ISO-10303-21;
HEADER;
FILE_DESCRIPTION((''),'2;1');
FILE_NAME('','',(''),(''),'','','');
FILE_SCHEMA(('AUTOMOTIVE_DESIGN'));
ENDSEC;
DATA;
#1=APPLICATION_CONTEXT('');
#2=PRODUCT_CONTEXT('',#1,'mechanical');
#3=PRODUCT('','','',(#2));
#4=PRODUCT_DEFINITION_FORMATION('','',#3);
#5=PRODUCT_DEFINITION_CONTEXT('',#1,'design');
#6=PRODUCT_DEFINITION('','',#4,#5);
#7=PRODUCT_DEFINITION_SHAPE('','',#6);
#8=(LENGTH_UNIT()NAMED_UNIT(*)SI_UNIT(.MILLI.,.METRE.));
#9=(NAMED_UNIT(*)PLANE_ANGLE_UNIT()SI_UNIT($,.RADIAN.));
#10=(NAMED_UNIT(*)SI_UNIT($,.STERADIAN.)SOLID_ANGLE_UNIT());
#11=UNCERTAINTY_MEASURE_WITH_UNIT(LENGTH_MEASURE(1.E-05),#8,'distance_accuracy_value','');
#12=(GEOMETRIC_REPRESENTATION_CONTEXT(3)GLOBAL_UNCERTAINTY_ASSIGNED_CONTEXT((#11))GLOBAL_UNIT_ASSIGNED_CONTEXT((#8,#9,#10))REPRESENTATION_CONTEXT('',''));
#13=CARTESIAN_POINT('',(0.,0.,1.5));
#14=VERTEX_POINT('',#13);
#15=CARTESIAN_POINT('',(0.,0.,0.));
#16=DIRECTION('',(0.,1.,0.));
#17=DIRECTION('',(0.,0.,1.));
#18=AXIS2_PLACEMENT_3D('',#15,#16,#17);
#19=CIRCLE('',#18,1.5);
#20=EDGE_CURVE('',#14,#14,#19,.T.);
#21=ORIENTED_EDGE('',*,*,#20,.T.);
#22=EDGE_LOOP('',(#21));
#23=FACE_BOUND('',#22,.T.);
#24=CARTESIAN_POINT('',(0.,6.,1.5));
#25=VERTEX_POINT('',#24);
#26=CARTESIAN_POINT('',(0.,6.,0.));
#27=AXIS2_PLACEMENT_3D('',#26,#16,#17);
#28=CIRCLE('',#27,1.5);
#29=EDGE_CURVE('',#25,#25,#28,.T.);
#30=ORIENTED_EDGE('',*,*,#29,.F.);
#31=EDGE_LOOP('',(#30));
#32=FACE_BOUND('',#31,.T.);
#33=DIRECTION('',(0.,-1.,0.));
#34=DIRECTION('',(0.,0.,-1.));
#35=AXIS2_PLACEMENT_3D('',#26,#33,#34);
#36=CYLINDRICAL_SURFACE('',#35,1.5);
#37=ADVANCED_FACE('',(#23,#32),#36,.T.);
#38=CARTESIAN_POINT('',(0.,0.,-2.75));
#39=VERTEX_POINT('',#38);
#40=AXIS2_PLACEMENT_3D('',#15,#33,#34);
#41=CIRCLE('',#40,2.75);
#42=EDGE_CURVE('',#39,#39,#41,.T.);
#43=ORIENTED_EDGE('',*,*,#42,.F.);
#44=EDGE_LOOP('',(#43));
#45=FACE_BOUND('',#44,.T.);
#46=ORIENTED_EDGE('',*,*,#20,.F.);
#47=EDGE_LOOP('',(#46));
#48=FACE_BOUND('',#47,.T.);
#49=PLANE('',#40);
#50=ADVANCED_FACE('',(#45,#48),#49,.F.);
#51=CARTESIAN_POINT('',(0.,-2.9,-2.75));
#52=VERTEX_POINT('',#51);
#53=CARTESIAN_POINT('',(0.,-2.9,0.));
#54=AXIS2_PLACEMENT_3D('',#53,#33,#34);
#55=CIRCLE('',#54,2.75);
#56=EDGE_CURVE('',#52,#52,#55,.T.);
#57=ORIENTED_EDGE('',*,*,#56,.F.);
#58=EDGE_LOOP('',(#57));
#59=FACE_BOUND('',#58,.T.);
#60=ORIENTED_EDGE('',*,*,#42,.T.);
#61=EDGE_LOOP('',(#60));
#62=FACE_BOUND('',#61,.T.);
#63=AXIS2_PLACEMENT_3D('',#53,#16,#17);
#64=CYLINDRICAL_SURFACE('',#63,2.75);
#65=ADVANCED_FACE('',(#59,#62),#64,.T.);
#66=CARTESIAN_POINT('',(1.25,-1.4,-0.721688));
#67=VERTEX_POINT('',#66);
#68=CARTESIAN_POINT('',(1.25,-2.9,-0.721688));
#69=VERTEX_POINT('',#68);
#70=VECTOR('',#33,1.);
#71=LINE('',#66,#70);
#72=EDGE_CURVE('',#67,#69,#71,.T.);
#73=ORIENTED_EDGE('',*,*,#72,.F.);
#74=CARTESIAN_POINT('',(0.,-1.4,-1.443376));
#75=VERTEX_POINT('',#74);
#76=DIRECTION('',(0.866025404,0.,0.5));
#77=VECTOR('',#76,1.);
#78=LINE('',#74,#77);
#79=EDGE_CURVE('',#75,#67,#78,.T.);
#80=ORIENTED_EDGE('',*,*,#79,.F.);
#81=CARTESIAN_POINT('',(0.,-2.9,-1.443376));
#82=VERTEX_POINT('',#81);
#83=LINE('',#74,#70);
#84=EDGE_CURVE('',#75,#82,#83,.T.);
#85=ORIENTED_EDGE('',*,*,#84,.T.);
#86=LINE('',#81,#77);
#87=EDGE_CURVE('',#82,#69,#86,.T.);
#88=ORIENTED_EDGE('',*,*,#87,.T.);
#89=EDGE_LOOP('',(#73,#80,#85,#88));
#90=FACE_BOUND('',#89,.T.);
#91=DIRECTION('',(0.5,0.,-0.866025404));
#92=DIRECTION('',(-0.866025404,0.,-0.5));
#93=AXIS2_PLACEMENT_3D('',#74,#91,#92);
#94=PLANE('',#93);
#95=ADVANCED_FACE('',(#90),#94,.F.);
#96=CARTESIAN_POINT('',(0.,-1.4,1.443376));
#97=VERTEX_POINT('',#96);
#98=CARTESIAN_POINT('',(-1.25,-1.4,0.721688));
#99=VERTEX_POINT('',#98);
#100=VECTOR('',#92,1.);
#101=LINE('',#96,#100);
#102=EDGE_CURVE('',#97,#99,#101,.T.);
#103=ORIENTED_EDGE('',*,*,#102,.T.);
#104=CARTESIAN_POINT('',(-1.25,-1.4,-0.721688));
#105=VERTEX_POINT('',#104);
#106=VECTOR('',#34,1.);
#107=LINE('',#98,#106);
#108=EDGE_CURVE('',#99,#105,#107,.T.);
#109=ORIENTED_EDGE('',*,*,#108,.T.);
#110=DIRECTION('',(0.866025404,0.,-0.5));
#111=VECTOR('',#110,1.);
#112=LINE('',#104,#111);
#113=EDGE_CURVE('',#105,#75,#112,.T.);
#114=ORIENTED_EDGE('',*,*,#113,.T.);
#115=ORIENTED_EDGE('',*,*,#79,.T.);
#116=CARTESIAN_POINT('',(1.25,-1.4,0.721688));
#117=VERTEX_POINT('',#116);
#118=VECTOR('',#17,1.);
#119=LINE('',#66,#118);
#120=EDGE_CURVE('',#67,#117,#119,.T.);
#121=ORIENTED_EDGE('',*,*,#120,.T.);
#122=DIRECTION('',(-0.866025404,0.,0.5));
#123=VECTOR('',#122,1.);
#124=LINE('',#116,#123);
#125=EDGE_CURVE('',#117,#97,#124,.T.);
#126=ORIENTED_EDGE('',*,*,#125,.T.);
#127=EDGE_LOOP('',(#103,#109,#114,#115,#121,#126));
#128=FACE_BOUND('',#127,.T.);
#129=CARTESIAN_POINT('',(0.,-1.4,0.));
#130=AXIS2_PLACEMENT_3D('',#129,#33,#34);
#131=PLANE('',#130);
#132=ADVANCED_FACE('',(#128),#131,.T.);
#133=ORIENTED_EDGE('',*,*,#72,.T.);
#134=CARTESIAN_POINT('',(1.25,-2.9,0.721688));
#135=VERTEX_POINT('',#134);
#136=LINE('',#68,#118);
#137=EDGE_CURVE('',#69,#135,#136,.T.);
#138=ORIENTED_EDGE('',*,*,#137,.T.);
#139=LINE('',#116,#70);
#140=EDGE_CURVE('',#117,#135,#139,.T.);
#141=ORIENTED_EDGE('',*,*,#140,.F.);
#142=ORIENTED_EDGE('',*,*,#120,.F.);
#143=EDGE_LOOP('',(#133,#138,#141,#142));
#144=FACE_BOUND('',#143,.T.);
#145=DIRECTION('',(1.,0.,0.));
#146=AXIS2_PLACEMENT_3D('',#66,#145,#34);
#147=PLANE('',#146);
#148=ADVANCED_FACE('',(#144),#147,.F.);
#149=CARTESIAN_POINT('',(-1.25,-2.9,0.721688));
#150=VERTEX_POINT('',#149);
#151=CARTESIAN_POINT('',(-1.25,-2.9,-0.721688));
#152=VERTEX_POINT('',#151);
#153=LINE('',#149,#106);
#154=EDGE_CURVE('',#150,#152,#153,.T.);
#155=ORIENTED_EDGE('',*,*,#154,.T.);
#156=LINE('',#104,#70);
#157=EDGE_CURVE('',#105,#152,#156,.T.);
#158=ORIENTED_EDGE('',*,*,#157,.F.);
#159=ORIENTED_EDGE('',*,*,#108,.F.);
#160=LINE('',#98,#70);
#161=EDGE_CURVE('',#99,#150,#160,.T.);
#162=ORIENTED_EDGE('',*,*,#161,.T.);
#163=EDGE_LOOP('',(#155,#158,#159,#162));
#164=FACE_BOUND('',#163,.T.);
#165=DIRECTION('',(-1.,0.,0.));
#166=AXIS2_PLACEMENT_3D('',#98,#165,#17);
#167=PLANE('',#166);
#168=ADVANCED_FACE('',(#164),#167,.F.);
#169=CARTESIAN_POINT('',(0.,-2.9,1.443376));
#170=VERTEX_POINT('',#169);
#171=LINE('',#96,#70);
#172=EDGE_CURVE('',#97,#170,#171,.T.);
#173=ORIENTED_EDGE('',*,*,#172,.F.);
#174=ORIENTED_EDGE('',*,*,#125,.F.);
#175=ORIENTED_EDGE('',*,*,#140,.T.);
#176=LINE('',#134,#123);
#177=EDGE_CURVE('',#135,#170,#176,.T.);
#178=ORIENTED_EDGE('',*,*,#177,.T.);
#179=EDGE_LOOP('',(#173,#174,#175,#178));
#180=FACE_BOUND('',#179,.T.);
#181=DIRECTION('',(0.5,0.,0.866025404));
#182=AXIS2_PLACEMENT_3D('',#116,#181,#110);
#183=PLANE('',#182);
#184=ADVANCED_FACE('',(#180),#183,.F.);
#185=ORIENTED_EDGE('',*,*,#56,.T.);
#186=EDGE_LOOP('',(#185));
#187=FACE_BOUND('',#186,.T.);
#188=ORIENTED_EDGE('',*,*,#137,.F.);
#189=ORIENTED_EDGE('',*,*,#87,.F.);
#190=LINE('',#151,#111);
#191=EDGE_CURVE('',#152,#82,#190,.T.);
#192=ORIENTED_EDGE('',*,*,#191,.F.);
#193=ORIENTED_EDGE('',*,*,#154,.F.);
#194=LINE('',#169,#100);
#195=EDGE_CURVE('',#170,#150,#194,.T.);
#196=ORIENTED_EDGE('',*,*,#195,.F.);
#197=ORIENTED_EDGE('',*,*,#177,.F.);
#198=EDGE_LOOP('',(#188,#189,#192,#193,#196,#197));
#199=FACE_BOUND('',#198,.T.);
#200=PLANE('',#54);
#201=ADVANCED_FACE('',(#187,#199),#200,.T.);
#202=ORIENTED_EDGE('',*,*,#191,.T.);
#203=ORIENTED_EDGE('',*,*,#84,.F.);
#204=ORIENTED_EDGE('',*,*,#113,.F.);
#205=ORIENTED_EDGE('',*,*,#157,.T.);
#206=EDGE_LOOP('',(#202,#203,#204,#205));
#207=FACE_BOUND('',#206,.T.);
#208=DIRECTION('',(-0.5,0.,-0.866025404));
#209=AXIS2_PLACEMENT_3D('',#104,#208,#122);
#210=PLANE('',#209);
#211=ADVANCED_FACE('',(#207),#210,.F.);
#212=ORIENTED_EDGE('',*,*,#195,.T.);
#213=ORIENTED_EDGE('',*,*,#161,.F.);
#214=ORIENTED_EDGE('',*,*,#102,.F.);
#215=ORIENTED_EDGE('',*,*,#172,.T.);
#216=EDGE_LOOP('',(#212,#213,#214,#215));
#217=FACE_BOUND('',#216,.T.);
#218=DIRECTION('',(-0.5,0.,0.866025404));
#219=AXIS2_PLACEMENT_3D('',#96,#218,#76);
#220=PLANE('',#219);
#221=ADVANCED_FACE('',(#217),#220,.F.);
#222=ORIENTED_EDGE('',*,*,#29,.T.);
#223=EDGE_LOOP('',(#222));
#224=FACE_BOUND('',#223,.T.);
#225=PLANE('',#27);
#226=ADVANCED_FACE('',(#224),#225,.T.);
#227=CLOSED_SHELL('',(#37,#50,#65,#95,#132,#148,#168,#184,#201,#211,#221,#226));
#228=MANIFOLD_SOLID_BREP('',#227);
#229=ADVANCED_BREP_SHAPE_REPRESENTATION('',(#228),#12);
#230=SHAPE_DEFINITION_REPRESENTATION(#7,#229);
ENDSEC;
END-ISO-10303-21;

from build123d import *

# Parameters (mm, degrees)
SKETCH_1_R          = 1.5
EXTRUDE_1_DEPTH     = 6
SKETCH_2_R          = 2.75
EXTRUDE_2_DEPTH     = 2.9
CUT_EXTRUDE_1_DEPTH = 1.5


with BuildPart() as part:
    # 草图1 → 凸台-拉伸1 (new body)
    with BuildSketch(Plane(origin=(0, 0, 0), x_dir=(1, 0, 0), z_dir=(0, 1, 0))):
        with Locations(Location((0, 0, 0), (0, 0, 270))):
            Circle(SKETCH_1_R)
    extrude(amount=EXTRUDE_1_DEPTH)

    # 草图2 → 凸台-拉伸2 (add)
    with BuildSketch(Plane.XZ):
        with Locations(Location((0, 0, 0), (0, 0, 270))):
            Circle(SKETCH_2_R)
    extrude(amount=EXTRUDE_2_DEPTH)

    # 草图3 → 切除-拉伸1 (cut)
    with BuildSketch(Plane.XZ.offset(2.9)):
        Polygon((1.25, 0.721687836), (0, 1.443375673), (-1.25, 0.721687836), (-1.25, -0.721687836), (0, -1.443375673), (1.25, -0.721687836), align=None)
    extrude(amount=-CUT_EXTRUDE_1_DEPTH, mode=Mode.SUBTRACT)


solid = part.part
